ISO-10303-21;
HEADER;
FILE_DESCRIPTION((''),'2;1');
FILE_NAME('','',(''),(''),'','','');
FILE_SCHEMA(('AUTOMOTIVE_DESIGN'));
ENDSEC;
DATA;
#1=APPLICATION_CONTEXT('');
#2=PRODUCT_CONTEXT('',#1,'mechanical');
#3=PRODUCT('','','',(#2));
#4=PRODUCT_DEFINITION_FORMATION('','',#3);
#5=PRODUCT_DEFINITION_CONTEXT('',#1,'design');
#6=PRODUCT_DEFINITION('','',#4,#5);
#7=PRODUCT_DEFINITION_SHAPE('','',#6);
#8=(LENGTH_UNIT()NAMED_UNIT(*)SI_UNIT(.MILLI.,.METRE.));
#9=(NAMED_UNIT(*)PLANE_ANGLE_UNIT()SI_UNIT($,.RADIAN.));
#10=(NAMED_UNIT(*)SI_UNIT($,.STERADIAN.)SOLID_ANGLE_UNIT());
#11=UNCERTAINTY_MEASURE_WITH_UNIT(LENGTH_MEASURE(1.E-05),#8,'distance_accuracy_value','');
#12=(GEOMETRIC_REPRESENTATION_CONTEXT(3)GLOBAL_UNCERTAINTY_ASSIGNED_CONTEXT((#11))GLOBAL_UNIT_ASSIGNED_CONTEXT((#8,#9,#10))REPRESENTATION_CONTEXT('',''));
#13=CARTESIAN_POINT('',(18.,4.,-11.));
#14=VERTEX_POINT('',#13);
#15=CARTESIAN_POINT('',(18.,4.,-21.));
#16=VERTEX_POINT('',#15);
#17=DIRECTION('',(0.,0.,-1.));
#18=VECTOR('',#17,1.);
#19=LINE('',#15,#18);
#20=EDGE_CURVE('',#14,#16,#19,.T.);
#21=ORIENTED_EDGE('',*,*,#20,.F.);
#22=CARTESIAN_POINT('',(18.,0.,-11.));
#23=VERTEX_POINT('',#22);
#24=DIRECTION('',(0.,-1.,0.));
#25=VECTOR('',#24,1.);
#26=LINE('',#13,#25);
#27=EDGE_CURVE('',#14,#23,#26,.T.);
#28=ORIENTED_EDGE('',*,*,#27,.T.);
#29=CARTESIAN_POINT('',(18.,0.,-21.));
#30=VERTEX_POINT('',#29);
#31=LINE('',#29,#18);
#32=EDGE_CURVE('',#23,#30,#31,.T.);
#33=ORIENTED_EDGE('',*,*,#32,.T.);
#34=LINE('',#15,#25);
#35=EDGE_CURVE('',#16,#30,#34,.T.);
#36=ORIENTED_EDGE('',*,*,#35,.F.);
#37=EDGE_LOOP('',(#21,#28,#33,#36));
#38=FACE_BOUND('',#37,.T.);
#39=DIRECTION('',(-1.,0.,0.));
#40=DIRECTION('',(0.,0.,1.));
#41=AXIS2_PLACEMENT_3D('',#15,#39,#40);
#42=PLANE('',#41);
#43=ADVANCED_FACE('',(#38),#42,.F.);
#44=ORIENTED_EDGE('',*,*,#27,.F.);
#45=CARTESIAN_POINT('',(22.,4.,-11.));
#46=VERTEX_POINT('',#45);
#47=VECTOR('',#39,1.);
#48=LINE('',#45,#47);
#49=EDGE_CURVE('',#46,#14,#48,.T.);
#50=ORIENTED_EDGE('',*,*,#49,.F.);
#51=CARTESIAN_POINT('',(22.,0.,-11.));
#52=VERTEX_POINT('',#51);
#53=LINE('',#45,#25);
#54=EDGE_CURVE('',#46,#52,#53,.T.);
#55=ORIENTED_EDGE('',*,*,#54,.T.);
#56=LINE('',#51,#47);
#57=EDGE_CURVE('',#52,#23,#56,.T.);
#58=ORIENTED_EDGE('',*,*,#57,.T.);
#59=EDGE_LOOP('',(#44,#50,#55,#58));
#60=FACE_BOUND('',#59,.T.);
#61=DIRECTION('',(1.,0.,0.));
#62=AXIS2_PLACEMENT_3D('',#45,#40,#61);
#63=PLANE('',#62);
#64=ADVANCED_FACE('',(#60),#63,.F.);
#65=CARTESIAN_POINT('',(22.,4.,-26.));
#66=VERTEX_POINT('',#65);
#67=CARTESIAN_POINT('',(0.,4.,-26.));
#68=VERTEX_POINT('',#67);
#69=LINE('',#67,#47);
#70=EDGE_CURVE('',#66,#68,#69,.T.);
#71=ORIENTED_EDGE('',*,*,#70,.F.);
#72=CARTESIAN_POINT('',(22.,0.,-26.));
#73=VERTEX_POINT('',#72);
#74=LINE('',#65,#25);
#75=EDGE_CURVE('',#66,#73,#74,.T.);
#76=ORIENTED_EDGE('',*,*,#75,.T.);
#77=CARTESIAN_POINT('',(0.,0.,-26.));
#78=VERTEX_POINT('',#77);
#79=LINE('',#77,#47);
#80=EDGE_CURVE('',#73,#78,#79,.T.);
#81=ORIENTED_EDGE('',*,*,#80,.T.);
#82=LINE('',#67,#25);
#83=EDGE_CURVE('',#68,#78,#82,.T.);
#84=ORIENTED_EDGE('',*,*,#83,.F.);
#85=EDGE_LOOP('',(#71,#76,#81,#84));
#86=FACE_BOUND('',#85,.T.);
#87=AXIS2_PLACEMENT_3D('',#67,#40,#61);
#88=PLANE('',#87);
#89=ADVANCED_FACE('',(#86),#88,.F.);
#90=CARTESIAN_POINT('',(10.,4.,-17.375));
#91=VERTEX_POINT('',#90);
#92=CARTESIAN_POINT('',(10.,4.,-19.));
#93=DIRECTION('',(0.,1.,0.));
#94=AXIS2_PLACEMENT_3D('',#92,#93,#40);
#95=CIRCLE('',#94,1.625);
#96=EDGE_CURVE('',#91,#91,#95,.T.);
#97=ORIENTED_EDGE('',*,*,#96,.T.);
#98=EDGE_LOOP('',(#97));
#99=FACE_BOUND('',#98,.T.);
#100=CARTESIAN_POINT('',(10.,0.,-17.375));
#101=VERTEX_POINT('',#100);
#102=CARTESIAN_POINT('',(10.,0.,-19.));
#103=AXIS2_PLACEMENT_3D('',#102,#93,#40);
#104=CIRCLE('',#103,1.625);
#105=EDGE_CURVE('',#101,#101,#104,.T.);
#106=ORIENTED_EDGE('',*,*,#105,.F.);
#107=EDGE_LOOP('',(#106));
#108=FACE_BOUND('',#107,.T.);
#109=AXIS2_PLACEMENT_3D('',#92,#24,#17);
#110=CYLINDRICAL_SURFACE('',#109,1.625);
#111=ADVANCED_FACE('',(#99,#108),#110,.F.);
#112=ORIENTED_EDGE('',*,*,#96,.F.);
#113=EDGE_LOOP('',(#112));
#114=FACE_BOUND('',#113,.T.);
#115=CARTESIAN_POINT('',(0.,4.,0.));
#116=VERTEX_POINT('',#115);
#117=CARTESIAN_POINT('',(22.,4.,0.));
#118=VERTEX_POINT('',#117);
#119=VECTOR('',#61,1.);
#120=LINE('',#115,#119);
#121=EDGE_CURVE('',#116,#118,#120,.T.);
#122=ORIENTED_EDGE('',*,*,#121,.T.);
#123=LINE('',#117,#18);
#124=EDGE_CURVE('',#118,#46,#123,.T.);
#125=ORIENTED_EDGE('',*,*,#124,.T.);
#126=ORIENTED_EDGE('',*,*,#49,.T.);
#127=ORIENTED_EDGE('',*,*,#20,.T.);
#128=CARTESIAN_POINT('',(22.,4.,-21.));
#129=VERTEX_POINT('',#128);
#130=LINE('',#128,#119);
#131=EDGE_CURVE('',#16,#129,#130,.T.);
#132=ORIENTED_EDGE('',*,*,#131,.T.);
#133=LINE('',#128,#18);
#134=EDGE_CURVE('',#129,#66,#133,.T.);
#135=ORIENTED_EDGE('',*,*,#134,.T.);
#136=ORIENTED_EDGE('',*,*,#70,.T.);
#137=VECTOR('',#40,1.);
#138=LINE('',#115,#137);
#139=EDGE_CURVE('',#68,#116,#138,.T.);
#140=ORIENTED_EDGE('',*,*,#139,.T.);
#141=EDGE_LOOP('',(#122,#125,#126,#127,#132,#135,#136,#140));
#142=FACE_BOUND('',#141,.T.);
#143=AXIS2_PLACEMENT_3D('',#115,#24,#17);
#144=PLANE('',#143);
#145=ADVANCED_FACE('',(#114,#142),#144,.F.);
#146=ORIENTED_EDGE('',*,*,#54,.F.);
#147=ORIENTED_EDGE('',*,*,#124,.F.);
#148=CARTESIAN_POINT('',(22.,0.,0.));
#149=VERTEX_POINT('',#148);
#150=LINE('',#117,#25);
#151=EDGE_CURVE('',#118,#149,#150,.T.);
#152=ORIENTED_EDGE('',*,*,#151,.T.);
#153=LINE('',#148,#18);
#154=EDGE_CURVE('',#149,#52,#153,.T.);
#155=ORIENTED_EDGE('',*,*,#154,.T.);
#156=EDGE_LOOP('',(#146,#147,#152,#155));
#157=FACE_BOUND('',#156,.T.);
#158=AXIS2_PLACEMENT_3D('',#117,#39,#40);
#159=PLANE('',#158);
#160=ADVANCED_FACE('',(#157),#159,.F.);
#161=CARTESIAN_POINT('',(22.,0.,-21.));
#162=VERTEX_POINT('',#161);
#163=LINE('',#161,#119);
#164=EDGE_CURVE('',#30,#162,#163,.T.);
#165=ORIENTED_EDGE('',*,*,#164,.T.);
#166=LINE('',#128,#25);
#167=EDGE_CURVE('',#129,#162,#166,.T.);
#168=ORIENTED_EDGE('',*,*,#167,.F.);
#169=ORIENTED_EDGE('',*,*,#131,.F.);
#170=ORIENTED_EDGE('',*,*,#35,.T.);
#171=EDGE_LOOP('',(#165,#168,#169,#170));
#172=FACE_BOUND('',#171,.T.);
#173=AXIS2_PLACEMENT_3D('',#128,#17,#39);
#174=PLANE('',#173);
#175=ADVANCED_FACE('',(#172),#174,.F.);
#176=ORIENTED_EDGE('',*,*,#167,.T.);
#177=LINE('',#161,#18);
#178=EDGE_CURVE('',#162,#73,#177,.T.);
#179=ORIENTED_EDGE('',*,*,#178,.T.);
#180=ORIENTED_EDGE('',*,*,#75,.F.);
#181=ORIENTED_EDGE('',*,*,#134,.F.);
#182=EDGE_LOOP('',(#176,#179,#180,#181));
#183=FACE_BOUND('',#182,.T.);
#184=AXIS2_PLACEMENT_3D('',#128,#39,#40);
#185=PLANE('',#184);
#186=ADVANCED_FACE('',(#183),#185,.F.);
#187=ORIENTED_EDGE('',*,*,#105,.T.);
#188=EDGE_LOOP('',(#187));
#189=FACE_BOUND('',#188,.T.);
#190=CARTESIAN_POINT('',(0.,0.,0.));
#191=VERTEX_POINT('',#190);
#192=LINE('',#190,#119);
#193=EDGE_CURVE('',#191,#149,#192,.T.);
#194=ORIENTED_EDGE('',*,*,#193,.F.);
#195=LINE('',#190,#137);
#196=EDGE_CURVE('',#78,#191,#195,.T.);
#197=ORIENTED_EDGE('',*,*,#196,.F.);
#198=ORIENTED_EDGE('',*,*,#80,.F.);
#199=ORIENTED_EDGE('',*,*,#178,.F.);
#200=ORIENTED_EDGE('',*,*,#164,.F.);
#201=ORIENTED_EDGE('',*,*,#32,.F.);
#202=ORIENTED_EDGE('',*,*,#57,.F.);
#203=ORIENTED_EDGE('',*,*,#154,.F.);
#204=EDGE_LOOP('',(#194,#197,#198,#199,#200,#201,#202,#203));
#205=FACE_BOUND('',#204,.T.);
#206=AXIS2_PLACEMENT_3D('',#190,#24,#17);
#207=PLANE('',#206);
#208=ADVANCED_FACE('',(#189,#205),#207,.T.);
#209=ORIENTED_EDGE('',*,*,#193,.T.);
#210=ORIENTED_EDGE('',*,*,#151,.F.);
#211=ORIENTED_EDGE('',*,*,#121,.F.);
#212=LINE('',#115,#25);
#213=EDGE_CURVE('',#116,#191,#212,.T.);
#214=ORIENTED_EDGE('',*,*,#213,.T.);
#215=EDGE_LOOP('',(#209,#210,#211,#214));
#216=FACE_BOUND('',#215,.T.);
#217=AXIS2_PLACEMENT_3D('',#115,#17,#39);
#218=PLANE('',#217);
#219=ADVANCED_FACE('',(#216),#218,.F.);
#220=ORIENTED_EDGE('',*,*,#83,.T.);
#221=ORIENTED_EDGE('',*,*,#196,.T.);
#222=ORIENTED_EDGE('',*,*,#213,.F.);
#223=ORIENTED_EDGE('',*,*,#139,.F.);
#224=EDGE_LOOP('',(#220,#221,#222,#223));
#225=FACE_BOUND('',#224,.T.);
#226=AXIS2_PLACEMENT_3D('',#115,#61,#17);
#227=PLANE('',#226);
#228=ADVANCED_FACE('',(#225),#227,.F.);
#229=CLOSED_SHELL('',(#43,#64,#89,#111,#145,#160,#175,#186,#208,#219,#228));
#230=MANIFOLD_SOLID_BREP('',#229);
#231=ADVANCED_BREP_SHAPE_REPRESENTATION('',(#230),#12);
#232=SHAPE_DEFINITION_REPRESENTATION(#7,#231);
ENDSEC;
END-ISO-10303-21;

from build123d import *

# Parameters (mm, degrees)
SKETCH1_R           = 1.625
BOSS_EXTRUDE1_DEPTH = 4


with BuildPart() as part:
    # Sketch1 → Boss-Extrude1 (new body)
    with BuildSketch(Plane(origin=(0, 0, 0), x_dir=(1, 0, 0), z_dir=(0, 1, 0))):
        Polygon((0, 0), (22, 0), (22, 11), (18, 11), (18, 21), (22, 21), (22, 26), (0, 26), align=None)
        with Locations((10, 19)):
            Circle(SKETCH1_R, mode=Mode.SUBTRACT)
    extrude(amount=BOSS_EXTRUDE1_DEPTH)


solid = part.part
